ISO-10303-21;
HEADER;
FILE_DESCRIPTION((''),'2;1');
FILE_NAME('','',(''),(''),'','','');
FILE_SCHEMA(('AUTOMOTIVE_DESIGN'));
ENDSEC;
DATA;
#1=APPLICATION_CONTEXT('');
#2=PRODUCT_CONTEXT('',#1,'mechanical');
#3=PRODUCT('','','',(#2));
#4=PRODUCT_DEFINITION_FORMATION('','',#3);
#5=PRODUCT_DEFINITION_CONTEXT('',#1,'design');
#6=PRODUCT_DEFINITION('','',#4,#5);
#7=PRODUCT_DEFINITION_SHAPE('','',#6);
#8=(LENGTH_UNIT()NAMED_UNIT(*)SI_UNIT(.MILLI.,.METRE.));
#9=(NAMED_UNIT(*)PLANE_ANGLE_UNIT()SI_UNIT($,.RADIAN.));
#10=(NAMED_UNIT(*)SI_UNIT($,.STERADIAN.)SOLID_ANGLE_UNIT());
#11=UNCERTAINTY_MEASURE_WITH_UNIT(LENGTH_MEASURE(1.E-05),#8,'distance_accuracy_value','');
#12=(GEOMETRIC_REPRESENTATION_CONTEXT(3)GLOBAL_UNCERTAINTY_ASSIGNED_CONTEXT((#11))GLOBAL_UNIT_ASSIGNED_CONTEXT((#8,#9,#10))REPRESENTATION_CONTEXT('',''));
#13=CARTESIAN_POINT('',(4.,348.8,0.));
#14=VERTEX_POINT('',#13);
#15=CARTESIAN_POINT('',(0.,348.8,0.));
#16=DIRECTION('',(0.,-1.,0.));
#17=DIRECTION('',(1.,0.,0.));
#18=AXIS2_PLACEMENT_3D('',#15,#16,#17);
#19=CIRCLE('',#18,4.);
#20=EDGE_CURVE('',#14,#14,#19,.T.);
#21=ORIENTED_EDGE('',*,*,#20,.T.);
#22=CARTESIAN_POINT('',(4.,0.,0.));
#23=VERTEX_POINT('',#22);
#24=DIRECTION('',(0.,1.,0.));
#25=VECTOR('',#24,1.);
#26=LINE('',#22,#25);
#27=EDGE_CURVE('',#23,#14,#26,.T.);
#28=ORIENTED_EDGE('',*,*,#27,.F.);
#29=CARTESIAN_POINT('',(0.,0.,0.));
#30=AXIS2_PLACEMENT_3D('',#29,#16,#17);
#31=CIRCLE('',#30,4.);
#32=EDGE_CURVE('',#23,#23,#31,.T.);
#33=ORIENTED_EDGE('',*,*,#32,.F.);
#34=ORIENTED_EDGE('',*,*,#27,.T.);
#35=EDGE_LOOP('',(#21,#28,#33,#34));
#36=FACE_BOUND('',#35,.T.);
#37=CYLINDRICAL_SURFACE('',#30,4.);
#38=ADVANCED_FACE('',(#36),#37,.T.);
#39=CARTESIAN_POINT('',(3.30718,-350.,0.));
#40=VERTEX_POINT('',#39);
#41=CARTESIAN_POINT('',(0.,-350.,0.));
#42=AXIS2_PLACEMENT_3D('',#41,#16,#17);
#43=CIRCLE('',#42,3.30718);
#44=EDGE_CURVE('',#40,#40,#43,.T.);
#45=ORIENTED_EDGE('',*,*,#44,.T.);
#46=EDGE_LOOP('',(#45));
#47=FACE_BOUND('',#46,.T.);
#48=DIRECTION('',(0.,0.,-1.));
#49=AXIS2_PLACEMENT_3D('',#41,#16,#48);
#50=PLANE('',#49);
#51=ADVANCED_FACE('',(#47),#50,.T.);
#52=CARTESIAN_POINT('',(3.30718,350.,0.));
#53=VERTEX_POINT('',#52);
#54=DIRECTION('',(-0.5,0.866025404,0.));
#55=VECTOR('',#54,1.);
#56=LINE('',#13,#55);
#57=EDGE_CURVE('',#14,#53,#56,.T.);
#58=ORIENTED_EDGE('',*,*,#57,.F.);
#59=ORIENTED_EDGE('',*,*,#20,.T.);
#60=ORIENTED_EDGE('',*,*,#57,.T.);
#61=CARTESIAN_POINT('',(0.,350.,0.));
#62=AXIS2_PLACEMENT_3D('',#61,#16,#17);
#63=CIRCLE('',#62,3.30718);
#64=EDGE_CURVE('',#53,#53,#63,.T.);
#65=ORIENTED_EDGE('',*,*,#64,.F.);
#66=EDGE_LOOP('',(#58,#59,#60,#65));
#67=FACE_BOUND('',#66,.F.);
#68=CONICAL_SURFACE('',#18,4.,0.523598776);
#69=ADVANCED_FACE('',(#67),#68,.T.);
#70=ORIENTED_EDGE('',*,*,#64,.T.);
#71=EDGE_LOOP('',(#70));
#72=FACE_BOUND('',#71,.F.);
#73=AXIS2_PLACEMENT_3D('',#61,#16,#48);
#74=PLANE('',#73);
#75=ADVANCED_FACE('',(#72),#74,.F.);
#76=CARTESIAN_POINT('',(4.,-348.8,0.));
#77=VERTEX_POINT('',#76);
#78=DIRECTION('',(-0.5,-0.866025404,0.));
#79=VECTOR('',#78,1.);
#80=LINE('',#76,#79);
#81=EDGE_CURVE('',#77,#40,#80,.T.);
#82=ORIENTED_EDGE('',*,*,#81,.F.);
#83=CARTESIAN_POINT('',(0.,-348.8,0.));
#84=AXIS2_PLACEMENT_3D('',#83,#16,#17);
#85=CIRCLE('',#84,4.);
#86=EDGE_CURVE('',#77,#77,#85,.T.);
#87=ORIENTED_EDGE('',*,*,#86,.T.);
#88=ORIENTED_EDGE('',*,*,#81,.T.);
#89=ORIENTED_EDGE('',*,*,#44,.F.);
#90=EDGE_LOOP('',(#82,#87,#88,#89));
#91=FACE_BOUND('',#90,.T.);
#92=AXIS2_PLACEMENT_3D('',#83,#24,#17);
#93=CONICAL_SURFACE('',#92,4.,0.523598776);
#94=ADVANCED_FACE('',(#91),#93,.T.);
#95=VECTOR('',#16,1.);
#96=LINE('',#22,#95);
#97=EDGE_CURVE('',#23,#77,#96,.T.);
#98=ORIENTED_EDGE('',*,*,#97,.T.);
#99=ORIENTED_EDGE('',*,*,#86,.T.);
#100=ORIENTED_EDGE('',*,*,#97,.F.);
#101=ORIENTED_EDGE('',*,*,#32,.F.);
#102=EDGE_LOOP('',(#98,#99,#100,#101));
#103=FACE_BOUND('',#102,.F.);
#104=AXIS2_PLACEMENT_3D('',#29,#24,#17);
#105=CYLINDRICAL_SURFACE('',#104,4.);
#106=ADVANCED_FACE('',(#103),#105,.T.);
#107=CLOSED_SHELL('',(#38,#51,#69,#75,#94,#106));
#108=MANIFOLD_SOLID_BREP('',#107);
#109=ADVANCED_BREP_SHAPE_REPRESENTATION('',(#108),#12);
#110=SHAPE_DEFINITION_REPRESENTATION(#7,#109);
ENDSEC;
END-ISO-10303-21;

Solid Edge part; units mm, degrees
sketch "Sketch1" plane through (0, 0, 0) normal (0, -1, 0) x (1, 0, 0)
  circle A0 centre (0, 0) radius 4
  dimension "D1" = 8
extrude "Protrusion1" add sketch "Sketch1" along normal mid plane 700
chamfer "Chamfer_1" distance 1.2 angle 30 2 edges at (-4, -350, 0) (-4, 350, 0) measured on face at (2.2136, -288.1667, 3.3317) measured on face at (2.2136, 288.1667, 3.3317)
properties material "Stainless steel"
